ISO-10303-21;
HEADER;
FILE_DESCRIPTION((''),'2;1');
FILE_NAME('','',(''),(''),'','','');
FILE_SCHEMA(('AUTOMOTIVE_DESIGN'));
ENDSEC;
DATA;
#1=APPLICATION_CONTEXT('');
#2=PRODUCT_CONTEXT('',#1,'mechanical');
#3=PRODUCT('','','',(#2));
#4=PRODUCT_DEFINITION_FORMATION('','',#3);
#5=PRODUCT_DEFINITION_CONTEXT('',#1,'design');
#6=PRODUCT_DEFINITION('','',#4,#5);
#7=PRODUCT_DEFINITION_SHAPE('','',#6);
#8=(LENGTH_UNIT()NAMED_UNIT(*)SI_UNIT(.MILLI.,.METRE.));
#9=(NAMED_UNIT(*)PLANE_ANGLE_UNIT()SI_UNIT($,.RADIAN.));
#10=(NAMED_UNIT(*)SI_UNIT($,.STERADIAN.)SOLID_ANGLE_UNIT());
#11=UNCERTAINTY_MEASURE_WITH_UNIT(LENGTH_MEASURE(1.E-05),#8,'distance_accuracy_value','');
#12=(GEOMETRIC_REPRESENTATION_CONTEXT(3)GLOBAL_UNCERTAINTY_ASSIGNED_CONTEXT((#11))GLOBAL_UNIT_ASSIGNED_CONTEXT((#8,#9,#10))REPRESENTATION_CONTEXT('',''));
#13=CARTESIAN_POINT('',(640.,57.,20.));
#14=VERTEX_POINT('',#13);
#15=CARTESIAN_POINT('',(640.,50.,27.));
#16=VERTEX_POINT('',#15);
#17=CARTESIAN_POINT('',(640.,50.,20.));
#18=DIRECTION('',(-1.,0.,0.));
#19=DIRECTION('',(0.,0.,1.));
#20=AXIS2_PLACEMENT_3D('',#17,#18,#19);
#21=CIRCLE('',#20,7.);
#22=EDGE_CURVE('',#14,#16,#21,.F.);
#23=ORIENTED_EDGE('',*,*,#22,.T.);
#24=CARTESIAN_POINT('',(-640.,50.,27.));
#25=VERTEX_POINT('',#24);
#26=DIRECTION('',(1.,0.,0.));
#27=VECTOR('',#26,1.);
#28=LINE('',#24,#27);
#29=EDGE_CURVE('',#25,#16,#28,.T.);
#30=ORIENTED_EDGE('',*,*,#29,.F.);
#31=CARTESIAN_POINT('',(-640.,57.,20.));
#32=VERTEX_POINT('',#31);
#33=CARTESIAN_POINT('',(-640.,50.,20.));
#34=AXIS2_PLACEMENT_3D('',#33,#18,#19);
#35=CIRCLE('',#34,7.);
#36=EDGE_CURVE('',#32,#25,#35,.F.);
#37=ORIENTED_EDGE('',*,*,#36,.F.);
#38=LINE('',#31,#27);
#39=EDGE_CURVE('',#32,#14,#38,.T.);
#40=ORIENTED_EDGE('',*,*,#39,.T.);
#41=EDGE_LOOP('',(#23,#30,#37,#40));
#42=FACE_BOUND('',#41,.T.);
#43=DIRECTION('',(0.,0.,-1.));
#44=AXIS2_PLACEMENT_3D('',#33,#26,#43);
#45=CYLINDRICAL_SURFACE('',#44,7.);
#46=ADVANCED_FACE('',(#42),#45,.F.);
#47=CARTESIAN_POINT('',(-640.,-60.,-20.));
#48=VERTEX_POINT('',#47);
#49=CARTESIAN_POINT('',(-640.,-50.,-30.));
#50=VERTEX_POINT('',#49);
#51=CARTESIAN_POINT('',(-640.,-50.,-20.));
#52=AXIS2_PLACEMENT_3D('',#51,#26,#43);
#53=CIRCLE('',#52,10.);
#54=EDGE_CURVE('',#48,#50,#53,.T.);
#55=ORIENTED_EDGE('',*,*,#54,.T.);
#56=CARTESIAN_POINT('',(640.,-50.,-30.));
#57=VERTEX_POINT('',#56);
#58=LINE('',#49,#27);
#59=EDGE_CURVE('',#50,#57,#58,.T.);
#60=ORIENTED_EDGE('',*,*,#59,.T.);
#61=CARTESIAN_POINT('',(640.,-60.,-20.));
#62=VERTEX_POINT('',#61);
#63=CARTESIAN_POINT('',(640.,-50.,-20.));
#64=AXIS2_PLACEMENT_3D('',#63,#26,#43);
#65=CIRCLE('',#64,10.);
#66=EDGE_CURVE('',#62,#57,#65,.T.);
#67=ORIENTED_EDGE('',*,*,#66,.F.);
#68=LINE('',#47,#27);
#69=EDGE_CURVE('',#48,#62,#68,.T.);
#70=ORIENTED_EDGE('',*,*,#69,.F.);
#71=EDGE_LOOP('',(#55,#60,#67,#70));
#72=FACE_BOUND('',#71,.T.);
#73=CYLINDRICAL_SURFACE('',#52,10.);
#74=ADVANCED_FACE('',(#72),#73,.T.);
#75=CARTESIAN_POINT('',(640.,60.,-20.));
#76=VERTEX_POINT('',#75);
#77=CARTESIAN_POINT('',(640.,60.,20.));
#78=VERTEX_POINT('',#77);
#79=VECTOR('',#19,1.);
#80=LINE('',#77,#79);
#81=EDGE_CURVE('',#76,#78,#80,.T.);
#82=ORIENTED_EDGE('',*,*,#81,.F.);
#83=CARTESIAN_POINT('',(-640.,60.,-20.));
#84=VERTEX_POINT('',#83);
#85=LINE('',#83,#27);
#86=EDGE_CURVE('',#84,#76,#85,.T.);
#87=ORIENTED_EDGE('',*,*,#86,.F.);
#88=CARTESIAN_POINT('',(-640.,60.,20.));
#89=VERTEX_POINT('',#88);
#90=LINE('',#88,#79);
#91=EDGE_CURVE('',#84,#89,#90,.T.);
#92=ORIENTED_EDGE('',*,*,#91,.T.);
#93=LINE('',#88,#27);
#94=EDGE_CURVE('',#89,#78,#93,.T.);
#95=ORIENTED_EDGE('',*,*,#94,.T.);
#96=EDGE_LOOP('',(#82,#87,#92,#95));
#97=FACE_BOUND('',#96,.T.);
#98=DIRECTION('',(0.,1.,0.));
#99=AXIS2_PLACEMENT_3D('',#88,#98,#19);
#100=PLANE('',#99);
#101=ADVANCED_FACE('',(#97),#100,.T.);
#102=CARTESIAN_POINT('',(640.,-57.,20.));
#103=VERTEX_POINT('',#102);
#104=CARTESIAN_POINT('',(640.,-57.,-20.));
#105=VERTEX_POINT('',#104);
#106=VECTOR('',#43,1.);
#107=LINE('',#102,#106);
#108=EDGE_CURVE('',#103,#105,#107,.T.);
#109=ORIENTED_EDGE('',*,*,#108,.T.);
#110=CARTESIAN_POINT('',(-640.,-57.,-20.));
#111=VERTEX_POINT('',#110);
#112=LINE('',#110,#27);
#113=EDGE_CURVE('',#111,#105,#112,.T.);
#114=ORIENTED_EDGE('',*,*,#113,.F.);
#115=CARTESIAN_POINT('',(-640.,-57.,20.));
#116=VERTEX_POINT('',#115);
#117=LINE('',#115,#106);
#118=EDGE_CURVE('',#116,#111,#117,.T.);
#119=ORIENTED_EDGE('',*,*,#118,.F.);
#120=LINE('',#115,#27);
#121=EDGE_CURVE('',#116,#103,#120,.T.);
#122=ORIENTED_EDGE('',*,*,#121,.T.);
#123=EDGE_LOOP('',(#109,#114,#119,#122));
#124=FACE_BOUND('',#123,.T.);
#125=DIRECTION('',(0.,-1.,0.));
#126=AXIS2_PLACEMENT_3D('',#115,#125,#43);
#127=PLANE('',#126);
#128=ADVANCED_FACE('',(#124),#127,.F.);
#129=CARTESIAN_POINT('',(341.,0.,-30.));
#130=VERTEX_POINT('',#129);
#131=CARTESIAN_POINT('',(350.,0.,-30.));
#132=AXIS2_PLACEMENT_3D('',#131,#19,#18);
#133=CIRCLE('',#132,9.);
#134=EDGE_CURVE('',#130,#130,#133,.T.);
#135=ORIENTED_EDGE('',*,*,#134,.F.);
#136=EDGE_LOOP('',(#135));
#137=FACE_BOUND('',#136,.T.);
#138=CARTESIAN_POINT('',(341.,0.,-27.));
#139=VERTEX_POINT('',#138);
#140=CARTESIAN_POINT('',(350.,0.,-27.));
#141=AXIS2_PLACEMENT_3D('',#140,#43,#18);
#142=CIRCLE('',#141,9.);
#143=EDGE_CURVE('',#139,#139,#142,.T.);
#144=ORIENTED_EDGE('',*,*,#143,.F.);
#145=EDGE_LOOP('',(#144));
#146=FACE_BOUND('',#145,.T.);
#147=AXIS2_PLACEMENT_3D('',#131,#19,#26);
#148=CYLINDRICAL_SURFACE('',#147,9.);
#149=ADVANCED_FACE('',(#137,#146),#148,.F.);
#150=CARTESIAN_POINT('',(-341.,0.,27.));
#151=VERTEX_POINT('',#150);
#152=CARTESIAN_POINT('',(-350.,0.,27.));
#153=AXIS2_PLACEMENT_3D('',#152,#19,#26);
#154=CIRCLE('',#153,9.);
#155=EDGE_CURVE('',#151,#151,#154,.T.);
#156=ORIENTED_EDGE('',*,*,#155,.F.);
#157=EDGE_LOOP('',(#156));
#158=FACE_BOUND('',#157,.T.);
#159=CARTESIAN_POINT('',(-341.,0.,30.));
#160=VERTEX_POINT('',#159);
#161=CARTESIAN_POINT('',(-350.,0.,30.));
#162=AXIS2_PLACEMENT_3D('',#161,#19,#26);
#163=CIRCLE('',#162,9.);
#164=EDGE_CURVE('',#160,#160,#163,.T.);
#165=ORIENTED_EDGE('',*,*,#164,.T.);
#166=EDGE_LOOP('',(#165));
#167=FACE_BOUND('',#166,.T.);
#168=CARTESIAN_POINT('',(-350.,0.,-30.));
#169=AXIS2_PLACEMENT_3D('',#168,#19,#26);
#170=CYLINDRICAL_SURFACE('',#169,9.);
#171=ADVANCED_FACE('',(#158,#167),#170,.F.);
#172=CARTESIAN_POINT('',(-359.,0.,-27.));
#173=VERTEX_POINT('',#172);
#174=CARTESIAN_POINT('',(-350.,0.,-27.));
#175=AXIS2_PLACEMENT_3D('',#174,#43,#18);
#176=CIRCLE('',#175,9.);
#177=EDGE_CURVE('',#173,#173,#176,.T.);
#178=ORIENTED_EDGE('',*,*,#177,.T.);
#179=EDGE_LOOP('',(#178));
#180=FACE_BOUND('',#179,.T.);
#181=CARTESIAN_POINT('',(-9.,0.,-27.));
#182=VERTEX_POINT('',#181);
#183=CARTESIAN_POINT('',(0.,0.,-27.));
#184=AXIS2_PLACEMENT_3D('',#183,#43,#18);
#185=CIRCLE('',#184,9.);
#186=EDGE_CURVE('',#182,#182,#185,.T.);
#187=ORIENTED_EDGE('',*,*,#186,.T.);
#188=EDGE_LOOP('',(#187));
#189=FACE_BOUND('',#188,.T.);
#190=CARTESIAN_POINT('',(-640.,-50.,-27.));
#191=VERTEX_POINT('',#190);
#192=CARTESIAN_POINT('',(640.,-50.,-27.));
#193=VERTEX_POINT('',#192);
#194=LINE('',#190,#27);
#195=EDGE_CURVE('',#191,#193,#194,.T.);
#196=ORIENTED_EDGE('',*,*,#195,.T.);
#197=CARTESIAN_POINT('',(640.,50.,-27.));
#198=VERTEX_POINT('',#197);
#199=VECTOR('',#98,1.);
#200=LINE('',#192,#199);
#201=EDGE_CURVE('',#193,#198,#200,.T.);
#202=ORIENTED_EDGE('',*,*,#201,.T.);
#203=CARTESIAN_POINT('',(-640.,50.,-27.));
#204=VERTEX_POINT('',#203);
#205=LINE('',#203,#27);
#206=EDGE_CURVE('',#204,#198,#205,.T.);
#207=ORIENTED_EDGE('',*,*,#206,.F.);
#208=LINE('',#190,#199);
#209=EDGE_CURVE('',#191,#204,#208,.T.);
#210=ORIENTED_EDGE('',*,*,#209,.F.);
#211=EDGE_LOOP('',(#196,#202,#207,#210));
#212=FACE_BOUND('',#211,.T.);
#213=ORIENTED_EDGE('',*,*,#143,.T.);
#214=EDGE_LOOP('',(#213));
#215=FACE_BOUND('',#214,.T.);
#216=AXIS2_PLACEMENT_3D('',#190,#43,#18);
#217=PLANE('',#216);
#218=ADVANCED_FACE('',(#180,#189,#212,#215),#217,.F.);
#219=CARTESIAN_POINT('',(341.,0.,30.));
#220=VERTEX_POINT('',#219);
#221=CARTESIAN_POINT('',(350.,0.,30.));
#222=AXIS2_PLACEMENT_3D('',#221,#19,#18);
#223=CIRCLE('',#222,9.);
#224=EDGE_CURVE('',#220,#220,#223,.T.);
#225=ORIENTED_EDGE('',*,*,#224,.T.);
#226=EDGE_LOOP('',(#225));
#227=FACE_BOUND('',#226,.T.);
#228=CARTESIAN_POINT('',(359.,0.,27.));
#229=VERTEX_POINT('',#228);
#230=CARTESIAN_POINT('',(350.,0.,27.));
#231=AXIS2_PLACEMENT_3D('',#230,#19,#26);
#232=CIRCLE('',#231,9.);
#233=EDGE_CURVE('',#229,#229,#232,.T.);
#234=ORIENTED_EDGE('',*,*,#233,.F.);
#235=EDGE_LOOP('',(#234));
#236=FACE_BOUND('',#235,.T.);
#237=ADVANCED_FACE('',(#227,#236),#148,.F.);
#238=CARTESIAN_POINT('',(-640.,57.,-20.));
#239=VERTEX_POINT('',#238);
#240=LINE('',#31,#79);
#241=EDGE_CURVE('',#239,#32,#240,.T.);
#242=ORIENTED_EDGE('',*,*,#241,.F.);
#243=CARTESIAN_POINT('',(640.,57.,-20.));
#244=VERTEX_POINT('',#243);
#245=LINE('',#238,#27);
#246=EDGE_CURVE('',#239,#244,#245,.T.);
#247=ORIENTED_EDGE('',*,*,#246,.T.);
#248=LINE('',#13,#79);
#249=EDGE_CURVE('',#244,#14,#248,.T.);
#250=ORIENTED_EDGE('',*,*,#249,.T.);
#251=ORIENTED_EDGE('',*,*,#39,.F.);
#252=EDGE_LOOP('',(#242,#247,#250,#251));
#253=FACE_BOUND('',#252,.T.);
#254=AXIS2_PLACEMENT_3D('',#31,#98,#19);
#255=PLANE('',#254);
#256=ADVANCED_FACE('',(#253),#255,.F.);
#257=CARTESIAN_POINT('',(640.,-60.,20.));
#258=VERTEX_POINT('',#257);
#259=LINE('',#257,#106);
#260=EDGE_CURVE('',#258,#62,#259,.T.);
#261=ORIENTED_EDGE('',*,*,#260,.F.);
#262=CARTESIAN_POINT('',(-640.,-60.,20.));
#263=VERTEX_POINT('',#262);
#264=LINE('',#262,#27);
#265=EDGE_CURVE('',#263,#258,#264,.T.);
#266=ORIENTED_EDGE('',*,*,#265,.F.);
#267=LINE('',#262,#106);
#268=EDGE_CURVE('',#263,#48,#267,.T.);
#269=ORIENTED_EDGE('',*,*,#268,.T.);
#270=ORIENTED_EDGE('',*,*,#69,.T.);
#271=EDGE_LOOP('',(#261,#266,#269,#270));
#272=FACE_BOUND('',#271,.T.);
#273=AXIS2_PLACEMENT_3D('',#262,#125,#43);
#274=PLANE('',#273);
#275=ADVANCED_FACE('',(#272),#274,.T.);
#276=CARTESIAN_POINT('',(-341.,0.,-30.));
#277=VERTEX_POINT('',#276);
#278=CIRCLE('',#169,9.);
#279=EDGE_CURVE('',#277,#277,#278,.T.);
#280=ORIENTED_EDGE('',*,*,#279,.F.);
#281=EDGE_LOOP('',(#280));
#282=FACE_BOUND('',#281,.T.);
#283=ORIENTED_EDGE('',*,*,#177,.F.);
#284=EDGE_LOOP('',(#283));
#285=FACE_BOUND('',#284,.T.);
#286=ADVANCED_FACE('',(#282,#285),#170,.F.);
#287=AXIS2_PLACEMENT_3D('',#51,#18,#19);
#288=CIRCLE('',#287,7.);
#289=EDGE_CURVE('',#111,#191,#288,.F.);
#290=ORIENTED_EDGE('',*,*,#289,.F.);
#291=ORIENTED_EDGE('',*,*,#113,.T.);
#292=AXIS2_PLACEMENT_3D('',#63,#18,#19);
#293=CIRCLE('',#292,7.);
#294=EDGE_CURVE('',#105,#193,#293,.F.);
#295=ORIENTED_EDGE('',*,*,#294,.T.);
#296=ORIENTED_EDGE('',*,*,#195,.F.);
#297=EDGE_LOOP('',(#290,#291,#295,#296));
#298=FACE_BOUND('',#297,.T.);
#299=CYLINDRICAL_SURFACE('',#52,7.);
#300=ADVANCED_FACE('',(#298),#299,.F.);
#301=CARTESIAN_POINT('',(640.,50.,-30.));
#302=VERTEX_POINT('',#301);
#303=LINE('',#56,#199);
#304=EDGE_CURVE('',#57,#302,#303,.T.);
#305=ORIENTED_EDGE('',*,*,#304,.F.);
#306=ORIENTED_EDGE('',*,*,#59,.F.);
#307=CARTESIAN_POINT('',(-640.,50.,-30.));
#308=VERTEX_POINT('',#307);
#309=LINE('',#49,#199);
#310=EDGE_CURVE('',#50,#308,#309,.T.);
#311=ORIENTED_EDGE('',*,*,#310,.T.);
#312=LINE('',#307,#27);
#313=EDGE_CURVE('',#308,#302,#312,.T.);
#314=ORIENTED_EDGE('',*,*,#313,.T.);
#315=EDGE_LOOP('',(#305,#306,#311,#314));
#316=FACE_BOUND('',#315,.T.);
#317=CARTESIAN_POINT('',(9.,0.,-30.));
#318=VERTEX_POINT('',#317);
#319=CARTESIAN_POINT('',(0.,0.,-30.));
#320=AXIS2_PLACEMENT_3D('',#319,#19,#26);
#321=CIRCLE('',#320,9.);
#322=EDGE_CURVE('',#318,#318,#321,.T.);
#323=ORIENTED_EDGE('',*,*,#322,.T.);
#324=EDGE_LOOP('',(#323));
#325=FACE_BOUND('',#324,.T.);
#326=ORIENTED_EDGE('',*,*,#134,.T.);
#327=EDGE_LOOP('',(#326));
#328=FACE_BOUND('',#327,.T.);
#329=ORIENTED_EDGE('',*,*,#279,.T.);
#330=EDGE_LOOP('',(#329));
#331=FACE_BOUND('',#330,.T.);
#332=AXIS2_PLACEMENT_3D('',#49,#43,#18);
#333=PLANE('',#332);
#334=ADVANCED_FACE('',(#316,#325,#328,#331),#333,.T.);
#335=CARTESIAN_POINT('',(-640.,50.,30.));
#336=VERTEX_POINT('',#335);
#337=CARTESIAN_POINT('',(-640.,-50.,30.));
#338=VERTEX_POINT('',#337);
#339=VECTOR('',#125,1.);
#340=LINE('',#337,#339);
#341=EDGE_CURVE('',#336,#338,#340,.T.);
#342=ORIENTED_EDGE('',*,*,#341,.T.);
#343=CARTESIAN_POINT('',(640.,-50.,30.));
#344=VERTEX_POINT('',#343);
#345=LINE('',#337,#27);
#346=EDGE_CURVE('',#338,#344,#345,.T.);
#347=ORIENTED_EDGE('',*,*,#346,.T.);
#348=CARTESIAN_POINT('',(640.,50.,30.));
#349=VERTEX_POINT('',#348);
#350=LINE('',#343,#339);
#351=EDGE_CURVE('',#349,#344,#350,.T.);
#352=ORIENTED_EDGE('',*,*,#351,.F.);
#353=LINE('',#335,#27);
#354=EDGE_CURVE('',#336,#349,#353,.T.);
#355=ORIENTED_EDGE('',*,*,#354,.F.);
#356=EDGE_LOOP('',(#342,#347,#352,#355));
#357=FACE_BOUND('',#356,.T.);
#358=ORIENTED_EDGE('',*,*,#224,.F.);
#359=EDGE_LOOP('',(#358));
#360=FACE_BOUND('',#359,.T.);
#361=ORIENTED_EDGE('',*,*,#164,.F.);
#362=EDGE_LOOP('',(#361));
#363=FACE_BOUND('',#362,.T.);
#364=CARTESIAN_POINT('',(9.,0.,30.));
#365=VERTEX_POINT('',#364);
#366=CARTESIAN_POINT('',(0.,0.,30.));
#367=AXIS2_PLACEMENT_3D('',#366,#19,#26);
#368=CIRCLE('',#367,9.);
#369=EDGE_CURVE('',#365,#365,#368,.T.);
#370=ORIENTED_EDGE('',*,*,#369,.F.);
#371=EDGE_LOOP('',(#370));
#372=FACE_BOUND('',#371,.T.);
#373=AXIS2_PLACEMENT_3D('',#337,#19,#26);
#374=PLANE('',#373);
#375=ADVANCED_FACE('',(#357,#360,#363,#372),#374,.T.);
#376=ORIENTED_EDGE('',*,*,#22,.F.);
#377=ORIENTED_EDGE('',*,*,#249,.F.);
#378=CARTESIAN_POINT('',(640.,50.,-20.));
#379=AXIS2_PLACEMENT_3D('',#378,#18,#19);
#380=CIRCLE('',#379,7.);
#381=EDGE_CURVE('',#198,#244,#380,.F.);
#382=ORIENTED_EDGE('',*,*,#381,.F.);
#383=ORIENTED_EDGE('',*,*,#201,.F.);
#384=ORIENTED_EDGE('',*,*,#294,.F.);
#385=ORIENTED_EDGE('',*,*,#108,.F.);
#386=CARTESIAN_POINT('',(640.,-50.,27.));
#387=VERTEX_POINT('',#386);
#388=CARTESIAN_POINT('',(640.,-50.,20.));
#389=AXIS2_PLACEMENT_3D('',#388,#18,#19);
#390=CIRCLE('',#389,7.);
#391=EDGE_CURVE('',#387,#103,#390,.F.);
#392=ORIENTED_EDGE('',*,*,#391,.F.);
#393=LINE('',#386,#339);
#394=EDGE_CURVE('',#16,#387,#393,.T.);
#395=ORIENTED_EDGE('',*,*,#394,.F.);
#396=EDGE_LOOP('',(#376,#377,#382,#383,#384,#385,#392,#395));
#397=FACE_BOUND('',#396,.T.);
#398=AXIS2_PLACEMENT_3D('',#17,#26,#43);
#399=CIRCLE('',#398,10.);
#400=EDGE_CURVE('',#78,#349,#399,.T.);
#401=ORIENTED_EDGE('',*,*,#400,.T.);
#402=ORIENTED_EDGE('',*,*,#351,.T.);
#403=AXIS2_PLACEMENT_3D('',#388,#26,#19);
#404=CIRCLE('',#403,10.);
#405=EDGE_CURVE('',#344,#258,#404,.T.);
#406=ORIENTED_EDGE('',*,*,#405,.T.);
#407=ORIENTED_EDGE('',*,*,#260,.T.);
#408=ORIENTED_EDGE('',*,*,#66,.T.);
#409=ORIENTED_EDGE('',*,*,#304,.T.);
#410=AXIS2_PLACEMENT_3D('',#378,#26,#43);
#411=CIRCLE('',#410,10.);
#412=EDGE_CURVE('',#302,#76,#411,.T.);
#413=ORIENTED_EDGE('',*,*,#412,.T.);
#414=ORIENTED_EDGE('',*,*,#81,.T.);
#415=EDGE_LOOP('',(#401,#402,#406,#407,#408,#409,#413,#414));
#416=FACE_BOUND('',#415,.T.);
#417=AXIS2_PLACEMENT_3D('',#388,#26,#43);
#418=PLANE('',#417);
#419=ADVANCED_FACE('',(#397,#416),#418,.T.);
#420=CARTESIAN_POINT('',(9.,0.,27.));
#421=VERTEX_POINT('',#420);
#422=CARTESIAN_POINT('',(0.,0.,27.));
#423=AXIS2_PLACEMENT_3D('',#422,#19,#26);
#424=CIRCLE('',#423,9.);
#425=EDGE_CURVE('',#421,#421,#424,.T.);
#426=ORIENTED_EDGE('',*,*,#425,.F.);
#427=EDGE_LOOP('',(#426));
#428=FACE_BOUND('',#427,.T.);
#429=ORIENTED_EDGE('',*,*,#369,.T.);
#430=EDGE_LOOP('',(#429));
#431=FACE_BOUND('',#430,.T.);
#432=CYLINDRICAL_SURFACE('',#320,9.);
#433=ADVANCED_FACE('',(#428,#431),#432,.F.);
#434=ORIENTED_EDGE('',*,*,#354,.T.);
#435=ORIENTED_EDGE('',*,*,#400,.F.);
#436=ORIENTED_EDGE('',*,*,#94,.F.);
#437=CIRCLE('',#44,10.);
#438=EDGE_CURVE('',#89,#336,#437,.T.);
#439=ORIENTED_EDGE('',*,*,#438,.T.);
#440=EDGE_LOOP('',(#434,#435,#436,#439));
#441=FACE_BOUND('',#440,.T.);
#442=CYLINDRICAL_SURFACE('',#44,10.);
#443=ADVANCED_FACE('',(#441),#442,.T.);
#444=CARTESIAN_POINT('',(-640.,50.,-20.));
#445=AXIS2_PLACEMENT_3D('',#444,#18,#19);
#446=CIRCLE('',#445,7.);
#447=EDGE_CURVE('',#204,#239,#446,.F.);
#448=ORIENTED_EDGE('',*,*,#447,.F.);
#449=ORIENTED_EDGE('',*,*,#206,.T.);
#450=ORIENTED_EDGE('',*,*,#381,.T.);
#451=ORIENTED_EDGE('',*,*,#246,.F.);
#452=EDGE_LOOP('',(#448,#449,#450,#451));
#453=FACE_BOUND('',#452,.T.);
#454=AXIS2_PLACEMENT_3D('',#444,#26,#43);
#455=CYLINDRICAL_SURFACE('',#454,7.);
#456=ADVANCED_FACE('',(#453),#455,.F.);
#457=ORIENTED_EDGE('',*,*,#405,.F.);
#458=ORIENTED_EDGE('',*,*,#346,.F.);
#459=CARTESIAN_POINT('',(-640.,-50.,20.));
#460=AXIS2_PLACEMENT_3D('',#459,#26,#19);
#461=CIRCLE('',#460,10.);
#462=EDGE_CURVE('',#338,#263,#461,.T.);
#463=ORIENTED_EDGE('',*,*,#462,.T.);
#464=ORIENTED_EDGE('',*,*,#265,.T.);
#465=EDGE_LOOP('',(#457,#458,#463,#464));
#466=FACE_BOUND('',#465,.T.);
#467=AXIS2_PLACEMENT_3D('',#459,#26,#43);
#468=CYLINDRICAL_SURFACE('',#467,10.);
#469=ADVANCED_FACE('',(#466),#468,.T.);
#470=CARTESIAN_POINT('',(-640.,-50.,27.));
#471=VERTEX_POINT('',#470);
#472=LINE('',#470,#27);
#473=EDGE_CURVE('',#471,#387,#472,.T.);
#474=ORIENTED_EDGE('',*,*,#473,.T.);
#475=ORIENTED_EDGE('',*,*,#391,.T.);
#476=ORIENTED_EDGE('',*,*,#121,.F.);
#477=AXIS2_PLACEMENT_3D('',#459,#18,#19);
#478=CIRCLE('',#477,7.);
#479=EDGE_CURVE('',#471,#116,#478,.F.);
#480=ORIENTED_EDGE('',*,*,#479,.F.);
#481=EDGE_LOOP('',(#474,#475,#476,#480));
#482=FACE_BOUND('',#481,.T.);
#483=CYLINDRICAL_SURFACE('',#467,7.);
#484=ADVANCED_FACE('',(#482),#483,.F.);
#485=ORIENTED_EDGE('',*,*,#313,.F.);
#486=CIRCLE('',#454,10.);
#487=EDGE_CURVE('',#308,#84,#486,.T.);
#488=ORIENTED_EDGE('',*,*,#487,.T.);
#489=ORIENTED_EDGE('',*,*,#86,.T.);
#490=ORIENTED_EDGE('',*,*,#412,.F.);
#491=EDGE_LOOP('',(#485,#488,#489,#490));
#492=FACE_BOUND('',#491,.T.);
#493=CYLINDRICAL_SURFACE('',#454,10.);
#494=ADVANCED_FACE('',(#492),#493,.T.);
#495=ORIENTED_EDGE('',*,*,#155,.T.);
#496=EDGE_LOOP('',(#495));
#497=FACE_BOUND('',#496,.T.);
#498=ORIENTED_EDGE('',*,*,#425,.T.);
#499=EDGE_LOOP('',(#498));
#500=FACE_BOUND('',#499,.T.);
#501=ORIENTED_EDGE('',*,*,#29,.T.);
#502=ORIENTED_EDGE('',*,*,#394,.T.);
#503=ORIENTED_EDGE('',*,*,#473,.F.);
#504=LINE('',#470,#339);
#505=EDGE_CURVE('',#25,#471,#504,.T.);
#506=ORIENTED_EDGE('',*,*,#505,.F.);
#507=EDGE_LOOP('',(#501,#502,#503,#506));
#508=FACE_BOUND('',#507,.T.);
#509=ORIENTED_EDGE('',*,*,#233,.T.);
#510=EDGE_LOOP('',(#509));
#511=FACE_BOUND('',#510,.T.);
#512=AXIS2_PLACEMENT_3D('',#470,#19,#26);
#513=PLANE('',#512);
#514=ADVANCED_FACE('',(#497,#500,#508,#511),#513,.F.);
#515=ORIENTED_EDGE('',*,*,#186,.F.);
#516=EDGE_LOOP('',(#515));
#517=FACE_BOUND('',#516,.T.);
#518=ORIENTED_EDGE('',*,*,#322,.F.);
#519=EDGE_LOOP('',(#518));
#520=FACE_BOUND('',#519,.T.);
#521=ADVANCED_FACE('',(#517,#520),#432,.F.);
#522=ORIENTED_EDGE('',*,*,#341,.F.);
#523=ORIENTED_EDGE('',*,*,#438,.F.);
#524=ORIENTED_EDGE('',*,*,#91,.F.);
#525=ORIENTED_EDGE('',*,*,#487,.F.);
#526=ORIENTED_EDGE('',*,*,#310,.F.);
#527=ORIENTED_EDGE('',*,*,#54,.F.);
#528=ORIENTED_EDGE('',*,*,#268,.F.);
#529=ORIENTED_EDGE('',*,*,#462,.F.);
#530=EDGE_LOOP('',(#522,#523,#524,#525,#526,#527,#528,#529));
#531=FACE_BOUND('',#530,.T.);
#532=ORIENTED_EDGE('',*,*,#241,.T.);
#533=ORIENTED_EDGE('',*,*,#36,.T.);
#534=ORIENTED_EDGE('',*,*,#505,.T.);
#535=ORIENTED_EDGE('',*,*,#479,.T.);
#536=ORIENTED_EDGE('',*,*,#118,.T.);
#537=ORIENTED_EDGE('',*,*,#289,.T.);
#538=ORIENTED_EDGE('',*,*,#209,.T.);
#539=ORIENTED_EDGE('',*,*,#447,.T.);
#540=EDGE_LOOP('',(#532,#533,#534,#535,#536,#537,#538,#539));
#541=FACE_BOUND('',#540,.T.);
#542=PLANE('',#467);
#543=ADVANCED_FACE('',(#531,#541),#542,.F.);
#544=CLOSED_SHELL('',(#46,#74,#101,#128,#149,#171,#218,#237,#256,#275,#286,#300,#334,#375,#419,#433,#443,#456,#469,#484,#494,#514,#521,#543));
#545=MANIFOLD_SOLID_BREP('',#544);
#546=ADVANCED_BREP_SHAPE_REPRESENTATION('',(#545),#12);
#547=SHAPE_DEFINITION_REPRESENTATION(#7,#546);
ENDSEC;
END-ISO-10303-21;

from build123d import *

# Parameters (mm, degrees)
EXTRUDE_THIN1_DEPTH      = 640
EXTRUDE_THIN1_DEPTH_BACK = 640
CUT_EXTRUDE1_DEPTH       = 644.506021728
CUT_EXTRUDE1_DEPTH_BACK  = 644.506021728
SKETCH2_R                = 9


with BuildPart() as part:
    # Sketch1 → Extrude-Thin1 (new, two sides: drawn at the far end of the back side and taken through both)
    with BuildSketch(Plane(origin=(0, 0, 0), x_dir=(0, 0, -1), z_dir=(1, 0, 0)).offset(-EXTRUDE_THIN1_DEPTH_BACK)):
        with BuildLine():
            Line((-30, 50), (-30, -50))
            ThreePointArc((-30, -50), (-27.071067812, -57.071067812), (-20, -60))
            Line((-20, -60), (20, -60))
            ThreePointArc((20, -60), (27.071067812, -57.071067812), (30, -50))
            Line((30, -50), (30, 50))
            ThreePointArc((30, 50), (27.071067812, 57.071067812), (20, 60))
            Line((20, 60), (-20, 60))
            ThreePointArc((-20, 60), (-27.071067812, 57.071067812), (-30, 50))
        make_face()
        with BuildLine():
            Line((-27, 50), (-27, -50))
            ThreePointArc((-27, -50), (-24.949747468, -54.949747468), (-20, -57))
            Line((-20, -57), (20, -57))
            ThreePointArc((20, -57), (24.949747468, -54.949747468), (27, -50))
            Line((27, -50), (27, 50))
            ThreePointArc((27, 50), (24.949747468, 54.949747468), (20, 57))
            Line((20, 57), (-20, 57))
            ThreePointArc((-20, 57), (-24.949747468, 54.949747468), (-27, 50))
        make_face(mode=Mode.SUBTRACT)
    extrude(amount=EXTRUDE_THIN1_DEPTH + EXTRUDE_THIN1_DEPTH_BACK)

    # Sketch2 → Cut-Extrude1 (cut, two sides: drawn at the far end of the back side and taken through both)
    with BuildSketch(Plane.XY.offset(-CUT_EXTRUDE1_DEPTH_BACK)):
        Circle(SKETCH2_R)
        with Locations((-350, 0)):
            Circle(SKETCH2_R)
        with Locations(Location((350, 0, 0), (0, 0, 180))):
            Circle(SKETCH2_R)
    extrude(amount=CUT_EXTRUDE1_DEPTH + CUT_EXTRUDE1_DEPTH_BACK, mode=Mode.SUBTRACT)


solid = part.part
